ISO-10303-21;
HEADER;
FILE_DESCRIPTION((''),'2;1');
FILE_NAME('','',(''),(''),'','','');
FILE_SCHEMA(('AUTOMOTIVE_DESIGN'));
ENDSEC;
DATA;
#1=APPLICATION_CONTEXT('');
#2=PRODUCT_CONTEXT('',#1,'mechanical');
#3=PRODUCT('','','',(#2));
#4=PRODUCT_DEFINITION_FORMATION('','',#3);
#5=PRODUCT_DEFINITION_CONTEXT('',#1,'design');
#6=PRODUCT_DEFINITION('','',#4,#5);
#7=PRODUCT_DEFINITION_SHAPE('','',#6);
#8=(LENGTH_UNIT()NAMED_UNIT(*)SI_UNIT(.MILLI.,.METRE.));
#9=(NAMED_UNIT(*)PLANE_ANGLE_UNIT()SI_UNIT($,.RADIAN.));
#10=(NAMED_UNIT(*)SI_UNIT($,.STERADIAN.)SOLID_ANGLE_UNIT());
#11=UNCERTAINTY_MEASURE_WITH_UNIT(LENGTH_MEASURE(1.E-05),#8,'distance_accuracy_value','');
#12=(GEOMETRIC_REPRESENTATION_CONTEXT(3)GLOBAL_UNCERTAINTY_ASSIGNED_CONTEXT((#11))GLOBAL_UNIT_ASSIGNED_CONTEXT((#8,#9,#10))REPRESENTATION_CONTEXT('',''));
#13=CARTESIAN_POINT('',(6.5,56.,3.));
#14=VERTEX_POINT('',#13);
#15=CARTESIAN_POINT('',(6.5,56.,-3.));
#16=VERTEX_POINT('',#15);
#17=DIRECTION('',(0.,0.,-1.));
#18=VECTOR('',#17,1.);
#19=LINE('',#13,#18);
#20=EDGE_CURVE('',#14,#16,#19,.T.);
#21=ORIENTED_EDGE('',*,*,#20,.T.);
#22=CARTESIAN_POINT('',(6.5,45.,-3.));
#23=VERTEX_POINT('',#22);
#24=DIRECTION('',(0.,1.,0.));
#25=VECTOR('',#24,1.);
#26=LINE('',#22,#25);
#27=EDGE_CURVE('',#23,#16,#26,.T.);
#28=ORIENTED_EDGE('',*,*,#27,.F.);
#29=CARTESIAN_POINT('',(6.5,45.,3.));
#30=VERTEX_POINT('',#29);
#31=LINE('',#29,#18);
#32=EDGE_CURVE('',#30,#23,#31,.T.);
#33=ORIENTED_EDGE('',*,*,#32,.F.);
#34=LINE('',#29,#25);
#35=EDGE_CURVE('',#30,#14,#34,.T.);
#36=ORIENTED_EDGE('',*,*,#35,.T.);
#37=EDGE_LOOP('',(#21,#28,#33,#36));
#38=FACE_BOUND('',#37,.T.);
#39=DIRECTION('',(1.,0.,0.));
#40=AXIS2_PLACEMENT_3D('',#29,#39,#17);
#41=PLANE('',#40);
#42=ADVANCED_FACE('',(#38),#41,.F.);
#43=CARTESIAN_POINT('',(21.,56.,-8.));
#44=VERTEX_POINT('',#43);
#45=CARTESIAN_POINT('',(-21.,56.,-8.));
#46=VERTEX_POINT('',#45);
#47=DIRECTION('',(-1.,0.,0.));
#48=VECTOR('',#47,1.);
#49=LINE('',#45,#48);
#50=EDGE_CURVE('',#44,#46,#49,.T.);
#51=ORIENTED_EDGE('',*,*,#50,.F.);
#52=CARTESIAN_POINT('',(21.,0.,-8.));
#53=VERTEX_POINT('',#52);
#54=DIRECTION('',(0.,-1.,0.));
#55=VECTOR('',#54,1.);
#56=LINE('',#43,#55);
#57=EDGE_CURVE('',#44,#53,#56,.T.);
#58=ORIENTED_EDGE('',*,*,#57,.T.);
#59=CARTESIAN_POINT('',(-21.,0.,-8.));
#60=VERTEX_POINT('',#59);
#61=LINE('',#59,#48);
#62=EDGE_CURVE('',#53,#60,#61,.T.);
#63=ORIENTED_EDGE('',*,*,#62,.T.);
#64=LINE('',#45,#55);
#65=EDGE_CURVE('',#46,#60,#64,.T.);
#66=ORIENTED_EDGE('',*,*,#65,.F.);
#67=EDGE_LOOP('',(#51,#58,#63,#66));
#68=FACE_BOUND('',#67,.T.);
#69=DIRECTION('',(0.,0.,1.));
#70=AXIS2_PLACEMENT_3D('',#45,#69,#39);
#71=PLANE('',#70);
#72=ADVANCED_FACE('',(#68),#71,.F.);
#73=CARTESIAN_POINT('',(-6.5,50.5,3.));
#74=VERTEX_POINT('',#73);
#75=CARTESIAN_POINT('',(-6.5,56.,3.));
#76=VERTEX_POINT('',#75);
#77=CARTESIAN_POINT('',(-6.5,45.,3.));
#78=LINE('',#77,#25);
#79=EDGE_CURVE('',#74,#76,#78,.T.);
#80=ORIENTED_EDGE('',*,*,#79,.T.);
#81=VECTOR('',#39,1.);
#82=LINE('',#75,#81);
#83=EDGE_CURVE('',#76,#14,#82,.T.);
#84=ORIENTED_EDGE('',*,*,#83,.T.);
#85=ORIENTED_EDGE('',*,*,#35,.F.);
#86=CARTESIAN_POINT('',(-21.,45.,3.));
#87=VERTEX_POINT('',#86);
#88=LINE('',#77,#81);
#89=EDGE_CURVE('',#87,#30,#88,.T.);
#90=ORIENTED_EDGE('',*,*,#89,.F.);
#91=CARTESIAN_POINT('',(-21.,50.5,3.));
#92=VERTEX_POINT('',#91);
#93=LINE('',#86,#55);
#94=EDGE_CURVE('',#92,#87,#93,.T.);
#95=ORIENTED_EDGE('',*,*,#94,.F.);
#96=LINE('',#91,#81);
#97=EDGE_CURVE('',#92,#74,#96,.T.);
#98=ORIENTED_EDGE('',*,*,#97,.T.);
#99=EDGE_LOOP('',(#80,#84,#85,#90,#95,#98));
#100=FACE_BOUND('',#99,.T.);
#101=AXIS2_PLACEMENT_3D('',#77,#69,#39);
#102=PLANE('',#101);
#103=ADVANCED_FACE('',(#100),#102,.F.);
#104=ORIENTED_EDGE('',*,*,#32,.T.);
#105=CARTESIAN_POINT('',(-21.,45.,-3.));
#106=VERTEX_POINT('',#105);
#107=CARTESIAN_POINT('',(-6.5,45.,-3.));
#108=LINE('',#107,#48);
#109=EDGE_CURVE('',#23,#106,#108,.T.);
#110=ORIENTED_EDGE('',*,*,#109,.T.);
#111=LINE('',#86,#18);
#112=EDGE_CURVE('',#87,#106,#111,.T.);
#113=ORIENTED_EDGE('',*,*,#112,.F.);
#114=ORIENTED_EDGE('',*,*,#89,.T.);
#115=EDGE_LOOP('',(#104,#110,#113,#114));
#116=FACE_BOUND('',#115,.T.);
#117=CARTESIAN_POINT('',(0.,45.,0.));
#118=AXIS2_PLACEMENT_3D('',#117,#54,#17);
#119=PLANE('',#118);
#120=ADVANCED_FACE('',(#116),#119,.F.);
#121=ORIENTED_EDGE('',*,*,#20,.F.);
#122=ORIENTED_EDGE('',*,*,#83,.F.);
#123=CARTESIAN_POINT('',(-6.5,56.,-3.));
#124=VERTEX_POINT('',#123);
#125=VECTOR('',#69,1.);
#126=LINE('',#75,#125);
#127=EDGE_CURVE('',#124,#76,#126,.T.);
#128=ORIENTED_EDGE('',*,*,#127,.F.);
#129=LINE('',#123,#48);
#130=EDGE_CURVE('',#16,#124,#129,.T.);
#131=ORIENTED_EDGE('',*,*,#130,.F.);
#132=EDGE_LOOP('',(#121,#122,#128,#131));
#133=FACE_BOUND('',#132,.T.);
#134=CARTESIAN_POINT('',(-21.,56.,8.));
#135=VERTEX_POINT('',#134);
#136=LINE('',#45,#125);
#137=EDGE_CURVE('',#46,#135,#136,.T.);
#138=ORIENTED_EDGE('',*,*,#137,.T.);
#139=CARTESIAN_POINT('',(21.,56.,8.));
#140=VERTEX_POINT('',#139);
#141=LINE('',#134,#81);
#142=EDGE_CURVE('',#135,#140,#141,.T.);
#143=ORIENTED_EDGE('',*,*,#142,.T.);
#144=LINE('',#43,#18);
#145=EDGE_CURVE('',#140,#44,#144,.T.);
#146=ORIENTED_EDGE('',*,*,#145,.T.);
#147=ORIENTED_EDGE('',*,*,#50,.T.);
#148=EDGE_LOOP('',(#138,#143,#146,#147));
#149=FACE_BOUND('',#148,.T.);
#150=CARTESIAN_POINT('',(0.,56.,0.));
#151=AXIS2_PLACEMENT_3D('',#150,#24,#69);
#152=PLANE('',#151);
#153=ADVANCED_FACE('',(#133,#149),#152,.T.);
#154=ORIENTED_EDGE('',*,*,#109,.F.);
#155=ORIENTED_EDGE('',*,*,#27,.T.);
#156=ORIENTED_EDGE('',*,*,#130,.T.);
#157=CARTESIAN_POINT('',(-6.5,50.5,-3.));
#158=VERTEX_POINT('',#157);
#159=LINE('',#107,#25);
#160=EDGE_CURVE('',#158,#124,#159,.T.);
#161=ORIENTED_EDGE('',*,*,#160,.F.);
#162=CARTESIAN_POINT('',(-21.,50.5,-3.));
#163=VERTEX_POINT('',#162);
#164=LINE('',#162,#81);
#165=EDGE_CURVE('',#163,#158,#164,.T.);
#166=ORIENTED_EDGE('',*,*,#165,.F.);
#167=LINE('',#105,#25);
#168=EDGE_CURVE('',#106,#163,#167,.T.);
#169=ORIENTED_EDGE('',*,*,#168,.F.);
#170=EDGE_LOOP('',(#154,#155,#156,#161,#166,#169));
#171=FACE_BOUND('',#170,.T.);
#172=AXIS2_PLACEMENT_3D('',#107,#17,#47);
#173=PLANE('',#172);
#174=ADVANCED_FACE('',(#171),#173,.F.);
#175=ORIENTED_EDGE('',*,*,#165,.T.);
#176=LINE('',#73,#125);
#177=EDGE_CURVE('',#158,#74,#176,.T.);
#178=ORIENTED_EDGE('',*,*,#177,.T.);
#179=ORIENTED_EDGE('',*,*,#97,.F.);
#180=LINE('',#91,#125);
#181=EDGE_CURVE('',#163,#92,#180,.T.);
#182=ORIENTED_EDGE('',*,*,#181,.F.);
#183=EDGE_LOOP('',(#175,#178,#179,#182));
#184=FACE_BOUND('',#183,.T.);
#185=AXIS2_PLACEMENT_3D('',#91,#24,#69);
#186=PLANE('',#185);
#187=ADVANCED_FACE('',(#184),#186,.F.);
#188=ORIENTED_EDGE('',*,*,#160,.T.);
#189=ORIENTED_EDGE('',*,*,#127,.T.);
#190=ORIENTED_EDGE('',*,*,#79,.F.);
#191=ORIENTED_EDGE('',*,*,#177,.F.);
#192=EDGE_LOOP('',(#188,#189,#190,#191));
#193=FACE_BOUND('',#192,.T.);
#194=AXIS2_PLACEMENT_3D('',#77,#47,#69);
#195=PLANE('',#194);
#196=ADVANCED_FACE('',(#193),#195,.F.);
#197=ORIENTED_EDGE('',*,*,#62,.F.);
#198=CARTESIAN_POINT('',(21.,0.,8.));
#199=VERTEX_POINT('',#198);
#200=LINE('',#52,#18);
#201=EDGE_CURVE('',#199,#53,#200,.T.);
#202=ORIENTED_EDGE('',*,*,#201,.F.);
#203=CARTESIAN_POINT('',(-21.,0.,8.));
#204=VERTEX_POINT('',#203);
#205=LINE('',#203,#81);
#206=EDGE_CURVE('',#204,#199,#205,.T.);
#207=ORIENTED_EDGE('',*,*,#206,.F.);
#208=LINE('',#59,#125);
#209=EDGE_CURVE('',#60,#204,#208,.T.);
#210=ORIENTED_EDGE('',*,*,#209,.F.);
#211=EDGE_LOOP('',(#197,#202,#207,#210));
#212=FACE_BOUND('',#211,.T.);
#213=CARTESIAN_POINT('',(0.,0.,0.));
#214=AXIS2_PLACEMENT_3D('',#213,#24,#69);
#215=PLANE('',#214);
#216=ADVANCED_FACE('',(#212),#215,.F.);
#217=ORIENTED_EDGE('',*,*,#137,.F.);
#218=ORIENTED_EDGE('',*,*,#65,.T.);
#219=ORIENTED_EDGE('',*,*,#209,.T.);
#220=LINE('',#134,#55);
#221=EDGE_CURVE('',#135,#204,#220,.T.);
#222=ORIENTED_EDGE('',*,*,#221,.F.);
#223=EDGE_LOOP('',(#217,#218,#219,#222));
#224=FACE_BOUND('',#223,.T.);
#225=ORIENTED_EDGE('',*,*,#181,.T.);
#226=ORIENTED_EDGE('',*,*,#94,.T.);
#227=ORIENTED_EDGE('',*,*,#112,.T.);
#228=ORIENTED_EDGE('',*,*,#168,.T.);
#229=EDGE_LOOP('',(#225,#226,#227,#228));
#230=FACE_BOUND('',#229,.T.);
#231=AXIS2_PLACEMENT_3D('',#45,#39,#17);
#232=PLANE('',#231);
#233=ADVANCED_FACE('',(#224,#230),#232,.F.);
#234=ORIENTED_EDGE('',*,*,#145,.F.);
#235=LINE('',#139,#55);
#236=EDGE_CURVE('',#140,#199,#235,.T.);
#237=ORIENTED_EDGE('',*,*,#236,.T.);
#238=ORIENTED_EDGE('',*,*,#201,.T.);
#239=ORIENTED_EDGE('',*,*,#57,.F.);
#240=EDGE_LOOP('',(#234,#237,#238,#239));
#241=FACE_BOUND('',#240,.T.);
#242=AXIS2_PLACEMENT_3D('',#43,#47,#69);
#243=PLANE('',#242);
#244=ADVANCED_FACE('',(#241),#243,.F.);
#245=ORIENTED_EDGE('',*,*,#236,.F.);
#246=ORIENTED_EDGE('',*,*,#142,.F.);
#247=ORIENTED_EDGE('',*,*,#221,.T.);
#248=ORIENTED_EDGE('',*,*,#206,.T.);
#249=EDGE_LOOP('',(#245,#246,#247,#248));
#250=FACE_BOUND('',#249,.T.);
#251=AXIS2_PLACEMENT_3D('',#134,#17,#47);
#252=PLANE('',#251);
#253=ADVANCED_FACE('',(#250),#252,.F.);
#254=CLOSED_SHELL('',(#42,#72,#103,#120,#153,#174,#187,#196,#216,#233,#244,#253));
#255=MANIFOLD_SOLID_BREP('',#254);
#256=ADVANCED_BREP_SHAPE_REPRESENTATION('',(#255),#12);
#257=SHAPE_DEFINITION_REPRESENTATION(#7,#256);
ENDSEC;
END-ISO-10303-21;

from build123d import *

# Parameters (mm, degrees)
ESQUISSE1_W             = 42
ESQUISSE1_H             = 16
BOSS_EXTRU_1_DEPTH      = 56
ESQUISSE2_W             = 13
ESQUISSE2_H             = 6
ENL_V_MAT_EXTRU_1_DEPTH = 11
ESQUISSE3_W             = 6
ESQUISSE3_H             = 5.5
ENL_V_MAT_EXTRU_2_DEPTH = 63.898728127


with BuildPart() as part:
    # Esquisse1 → Boss.-Extru.1 (new body)
    with BuildSketch(Plane(origin=(0, 0, 0), x_dir=(1, 0, 0), z_dir=(0, 1, 0))):
        Rectangle(ESQUISSE1_W, ESQUISSE1_H)
    extrude(amount=BOSS_EXTRU_1_DEPTH)

    # Esquisse2 → Enlèv. mat.-Extru.1 (cut)
    with BuildSketch(Plane(origin=(0, 56, 0), x_dir=(1, 0, 0), z_dir=(0, 1, 0))):
        Rectangle(ESQUISSE2_W, ESQUISSE2_H)
    extrude(amount=-ENL_V_MAT_EXTRU_1_DEPTH, mode=Mode.SUBTRACT)

    # Esquisse3 → Enlèv. mat.-Extru.2 (cut, through all)
    with BuildSketch(Plane(origin=(-6.5, 0, 0), x_dir=(0, 0, -1), z_dir=(1, 0, 0))):
        with Locations((0, 47.75)):
            Rectangle(ESQUISSE3_W, ESQUISSE3_H)
    extrude(amount=-ENL_V_MAT_EXTRU_2_DEPTH, mode=Mode.SUBTRACT)


solid = part.part
